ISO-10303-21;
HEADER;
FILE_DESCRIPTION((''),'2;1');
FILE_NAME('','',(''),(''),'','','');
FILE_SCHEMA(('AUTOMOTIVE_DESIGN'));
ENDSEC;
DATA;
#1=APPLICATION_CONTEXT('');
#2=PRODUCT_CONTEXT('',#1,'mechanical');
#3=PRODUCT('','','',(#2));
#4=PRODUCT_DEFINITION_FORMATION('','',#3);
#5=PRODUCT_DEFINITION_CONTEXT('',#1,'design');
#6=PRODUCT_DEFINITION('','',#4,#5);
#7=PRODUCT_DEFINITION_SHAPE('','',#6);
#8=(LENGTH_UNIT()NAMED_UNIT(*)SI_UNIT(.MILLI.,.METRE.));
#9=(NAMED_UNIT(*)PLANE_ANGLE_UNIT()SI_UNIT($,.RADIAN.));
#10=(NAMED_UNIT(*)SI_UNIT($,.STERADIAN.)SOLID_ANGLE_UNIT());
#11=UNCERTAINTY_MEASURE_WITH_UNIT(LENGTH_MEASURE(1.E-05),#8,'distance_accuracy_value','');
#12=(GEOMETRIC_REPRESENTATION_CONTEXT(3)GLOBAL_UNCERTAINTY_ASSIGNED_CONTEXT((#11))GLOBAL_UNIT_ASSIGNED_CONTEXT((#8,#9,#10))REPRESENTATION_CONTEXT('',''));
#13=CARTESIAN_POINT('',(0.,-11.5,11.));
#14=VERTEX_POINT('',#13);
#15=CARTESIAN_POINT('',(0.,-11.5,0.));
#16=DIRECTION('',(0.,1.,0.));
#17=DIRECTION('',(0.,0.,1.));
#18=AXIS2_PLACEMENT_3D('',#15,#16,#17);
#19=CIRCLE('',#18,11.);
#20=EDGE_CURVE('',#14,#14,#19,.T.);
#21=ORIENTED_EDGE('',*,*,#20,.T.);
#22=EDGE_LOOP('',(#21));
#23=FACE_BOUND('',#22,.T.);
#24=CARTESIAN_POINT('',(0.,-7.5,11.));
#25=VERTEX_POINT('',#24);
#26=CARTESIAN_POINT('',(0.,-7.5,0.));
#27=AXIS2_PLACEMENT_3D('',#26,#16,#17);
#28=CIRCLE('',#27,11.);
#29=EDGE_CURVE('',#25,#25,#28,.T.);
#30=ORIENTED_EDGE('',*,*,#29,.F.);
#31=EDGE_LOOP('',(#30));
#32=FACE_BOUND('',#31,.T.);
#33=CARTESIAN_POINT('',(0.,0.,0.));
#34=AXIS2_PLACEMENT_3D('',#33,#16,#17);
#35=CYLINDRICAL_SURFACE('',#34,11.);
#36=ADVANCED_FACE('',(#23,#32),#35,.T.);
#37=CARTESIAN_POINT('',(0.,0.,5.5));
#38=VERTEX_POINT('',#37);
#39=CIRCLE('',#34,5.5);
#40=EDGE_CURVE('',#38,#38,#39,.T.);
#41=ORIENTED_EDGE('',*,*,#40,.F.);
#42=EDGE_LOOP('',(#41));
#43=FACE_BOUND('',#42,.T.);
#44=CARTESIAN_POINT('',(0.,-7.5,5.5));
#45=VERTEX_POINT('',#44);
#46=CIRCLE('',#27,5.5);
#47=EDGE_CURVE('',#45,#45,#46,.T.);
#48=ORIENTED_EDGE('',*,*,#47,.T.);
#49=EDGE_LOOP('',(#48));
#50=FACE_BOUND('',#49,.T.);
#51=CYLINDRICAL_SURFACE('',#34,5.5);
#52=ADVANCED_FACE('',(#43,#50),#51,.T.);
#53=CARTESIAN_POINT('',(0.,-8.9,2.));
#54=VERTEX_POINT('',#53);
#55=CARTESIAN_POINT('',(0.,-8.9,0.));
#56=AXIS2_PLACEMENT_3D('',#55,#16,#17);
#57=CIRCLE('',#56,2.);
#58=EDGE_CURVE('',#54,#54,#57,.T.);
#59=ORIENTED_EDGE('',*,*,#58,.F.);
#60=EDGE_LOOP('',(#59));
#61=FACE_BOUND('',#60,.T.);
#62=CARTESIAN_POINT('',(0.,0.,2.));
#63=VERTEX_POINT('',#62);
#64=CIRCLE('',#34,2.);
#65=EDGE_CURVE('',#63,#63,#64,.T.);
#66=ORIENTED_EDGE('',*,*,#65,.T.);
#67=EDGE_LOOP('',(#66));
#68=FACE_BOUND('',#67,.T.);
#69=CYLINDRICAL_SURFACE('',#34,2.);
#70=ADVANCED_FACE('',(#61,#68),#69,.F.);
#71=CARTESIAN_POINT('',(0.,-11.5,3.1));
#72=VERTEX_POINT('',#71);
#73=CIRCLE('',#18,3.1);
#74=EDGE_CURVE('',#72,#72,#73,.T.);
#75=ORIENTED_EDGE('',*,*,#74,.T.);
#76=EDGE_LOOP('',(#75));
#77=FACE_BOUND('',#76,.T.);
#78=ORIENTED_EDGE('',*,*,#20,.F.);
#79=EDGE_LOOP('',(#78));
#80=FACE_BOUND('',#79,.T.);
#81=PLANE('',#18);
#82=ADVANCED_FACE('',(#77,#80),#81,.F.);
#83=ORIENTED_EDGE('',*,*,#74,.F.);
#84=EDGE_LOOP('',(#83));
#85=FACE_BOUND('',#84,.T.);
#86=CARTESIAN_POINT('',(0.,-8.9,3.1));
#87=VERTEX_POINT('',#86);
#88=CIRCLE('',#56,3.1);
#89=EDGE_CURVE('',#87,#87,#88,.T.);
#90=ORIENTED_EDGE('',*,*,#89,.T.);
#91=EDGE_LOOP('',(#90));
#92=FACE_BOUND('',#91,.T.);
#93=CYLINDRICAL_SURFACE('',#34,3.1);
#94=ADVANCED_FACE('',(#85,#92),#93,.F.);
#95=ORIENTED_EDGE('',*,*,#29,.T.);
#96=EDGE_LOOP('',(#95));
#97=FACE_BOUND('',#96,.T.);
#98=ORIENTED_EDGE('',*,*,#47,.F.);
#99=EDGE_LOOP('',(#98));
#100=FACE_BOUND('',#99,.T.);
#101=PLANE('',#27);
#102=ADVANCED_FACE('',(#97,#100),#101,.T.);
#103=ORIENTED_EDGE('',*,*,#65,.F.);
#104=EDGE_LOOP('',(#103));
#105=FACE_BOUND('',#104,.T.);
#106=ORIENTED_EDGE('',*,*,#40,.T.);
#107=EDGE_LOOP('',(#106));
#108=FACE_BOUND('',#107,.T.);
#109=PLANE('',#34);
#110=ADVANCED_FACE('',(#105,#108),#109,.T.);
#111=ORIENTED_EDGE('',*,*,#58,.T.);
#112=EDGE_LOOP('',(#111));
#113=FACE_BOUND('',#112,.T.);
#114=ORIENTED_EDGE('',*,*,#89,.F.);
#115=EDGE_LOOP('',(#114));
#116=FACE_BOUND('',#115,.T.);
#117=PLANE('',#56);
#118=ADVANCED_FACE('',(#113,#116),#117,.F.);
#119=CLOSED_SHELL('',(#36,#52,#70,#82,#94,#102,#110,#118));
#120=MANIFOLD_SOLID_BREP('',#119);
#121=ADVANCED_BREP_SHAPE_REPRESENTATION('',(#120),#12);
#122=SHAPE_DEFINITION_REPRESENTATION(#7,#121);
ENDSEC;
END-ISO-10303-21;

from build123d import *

# Parameters (mm, degrees)
SKETCH_1_W = 3.5
SKETCH_1_H = 7.5


with BuildPart() as part:
    # 草图1 → 旋转1 (revolve)
    with BuildSketch(Plane(origin=(0, 0, 0), x_dir=(0, 0, -1), z_dir=(1, 0, 0)), mode=Mode.PRIVATE) as revolve_1_sk:
        with Locations((3.75, -3.75)):
            Rectangle(SKETCH_1_W, SKETCH_1_H)
        Polygon((5.5, -7.5), (2, -7.5), (2, -8.9), (3.1, -8.9), (3.1, -11.5), (11, -11.5), (11, -7.5), align=None)
    revolve(revolve_1_sk.sketch.rotate(Axis((0, 0, 0), (0, -1, 0)), 180), axis=Axis((0, 0, 0), (0, -1, 0)))


solid = part.part
